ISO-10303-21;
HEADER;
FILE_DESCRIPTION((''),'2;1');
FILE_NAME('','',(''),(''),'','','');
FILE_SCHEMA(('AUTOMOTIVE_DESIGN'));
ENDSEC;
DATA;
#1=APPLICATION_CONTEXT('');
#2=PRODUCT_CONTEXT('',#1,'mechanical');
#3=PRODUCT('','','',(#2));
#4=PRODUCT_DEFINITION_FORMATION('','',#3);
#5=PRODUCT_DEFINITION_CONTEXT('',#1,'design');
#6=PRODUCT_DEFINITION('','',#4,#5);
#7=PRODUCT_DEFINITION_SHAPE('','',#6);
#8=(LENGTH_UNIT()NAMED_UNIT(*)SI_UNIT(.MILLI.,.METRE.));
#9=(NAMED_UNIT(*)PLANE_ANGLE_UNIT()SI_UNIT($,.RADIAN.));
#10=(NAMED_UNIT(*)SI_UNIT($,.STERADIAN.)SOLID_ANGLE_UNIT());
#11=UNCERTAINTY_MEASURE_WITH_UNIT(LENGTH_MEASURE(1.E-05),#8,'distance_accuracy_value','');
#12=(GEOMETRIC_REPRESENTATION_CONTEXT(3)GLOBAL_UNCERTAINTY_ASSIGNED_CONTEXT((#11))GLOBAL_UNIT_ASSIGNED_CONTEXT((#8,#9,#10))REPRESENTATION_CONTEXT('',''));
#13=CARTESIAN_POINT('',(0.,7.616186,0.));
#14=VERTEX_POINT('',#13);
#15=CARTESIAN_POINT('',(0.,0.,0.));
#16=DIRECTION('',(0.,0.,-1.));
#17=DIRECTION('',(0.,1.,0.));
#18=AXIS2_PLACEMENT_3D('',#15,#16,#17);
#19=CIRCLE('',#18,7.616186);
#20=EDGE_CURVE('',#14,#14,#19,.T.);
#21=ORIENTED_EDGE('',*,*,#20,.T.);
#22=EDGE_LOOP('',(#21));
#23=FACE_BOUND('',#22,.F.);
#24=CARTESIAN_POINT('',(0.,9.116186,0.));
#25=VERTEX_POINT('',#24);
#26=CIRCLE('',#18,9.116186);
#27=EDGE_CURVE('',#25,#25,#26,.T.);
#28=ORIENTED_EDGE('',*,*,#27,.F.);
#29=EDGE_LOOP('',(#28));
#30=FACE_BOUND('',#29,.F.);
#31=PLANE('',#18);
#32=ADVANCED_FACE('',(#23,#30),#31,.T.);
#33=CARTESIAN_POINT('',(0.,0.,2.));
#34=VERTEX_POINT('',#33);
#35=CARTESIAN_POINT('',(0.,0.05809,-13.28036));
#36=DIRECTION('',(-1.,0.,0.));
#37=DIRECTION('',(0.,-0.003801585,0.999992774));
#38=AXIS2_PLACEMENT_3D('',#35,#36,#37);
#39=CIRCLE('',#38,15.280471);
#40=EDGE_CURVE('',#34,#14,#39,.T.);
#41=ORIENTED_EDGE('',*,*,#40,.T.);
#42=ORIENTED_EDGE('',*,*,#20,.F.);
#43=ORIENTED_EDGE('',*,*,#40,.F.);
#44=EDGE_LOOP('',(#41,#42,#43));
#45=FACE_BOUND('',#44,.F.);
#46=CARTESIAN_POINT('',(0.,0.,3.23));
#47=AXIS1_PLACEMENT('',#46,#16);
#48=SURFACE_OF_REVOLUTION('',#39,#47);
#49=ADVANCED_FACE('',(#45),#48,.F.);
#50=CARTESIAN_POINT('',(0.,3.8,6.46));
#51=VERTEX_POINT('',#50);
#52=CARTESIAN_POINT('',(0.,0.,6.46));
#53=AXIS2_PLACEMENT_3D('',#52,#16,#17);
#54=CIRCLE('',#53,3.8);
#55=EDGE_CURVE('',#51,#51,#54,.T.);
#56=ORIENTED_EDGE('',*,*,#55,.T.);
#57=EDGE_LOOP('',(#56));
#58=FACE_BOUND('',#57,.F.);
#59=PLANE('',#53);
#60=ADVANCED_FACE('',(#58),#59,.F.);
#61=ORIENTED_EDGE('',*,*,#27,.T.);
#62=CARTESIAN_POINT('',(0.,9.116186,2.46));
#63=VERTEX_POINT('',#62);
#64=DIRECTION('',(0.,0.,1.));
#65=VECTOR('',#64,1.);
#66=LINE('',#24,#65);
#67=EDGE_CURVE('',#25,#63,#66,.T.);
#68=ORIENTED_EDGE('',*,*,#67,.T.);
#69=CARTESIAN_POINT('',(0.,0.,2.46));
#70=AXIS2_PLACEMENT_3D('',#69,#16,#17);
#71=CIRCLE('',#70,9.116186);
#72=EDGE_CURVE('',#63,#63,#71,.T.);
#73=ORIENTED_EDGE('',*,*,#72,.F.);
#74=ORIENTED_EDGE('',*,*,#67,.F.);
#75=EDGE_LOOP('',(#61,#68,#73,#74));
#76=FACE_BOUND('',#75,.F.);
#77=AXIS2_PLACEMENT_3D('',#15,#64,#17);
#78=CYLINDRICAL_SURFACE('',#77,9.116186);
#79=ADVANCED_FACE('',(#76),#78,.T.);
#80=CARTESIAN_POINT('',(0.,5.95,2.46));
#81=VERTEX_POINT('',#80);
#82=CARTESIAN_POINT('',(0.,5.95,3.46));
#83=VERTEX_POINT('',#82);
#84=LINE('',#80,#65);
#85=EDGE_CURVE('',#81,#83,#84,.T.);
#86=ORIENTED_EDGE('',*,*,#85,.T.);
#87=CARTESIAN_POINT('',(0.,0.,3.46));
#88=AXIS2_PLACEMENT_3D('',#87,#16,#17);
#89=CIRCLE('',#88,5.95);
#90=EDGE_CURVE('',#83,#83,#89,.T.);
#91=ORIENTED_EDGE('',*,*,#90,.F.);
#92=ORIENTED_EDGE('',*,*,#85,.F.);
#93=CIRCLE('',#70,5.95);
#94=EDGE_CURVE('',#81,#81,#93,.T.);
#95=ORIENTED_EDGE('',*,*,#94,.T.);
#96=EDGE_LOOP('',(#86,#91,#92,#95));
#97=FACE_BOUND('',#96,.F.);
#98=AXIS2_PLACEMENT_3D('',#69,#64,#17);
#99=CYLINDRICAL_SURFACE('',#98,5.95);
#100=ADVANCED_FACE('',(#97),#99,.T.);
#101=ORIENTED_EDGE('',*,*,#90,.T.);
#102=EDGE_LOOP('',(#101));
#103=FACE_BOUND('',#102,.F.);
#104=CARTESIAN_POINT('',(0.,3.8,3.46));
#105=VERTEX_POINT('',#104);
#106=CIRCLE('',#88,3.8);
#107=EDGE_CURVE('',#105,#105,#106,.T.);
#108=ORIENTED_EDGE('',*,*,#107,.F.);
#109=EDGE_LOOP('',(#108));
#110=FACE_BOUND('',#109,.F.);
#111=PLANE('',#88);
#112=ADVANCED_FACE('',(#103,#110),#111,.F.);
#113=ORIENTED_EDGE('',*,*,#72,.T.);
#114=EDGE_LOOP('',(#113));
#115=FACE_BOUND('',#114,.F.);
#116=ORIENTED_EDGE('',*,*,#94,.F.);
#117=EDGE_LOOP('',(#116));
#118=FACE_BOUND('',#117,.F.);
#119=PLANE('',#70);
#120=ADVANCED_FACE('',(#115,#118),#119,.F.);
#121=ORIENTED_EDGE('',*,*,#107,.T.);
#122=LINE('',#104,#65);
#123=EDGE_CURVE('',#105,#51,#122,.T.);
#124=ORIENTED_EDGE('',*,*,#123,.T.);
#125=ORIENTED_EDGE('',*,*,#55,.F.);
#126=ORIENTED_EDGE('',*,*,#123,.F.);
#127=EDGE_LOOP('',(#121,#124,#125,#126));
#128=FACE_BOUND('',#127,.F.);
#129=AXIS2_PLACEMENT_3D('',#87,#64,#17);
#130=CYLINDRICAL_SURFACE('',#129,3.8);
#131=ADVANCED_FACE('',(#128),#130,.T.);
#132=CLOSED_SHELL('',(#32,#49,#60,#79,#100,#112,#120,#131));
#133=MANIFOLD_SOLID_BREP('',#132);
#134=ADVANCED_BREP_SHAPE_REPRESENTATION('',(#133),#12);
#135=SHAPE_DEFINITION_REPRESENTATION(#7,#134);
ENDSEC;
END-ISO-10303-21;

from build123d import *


with BuildPart() as f1:
    # F0 (on Right) → F1 (revolve)
    with BuildSketch(Plane.YZ):
        with BuildLine():
            ThreePointArc((0, 2), (3.939137, 1.499026), (7.616186, 0))
            Line((7.616186, 0), (9.116186, 0))
            Line((9.116186, 0), (9.116186, 2.46))
            Line((9.116186, 2.46), (5.95, 2.46))
            Line((5.95, 2.46), (5.95, 3.46))
            Line((5.95, 3.46), (3.8, 3.46))
            Line((3.8, 3.46), (3.8, 6.46))
            Line((3.8, 6.46), (0, 6.46))
            Line((0, 6.46), (0, 2))
        make_face()
    revolve(axis=Axis((0, 0, 3.23), (0, 0, -1)))


solid = f1.part
